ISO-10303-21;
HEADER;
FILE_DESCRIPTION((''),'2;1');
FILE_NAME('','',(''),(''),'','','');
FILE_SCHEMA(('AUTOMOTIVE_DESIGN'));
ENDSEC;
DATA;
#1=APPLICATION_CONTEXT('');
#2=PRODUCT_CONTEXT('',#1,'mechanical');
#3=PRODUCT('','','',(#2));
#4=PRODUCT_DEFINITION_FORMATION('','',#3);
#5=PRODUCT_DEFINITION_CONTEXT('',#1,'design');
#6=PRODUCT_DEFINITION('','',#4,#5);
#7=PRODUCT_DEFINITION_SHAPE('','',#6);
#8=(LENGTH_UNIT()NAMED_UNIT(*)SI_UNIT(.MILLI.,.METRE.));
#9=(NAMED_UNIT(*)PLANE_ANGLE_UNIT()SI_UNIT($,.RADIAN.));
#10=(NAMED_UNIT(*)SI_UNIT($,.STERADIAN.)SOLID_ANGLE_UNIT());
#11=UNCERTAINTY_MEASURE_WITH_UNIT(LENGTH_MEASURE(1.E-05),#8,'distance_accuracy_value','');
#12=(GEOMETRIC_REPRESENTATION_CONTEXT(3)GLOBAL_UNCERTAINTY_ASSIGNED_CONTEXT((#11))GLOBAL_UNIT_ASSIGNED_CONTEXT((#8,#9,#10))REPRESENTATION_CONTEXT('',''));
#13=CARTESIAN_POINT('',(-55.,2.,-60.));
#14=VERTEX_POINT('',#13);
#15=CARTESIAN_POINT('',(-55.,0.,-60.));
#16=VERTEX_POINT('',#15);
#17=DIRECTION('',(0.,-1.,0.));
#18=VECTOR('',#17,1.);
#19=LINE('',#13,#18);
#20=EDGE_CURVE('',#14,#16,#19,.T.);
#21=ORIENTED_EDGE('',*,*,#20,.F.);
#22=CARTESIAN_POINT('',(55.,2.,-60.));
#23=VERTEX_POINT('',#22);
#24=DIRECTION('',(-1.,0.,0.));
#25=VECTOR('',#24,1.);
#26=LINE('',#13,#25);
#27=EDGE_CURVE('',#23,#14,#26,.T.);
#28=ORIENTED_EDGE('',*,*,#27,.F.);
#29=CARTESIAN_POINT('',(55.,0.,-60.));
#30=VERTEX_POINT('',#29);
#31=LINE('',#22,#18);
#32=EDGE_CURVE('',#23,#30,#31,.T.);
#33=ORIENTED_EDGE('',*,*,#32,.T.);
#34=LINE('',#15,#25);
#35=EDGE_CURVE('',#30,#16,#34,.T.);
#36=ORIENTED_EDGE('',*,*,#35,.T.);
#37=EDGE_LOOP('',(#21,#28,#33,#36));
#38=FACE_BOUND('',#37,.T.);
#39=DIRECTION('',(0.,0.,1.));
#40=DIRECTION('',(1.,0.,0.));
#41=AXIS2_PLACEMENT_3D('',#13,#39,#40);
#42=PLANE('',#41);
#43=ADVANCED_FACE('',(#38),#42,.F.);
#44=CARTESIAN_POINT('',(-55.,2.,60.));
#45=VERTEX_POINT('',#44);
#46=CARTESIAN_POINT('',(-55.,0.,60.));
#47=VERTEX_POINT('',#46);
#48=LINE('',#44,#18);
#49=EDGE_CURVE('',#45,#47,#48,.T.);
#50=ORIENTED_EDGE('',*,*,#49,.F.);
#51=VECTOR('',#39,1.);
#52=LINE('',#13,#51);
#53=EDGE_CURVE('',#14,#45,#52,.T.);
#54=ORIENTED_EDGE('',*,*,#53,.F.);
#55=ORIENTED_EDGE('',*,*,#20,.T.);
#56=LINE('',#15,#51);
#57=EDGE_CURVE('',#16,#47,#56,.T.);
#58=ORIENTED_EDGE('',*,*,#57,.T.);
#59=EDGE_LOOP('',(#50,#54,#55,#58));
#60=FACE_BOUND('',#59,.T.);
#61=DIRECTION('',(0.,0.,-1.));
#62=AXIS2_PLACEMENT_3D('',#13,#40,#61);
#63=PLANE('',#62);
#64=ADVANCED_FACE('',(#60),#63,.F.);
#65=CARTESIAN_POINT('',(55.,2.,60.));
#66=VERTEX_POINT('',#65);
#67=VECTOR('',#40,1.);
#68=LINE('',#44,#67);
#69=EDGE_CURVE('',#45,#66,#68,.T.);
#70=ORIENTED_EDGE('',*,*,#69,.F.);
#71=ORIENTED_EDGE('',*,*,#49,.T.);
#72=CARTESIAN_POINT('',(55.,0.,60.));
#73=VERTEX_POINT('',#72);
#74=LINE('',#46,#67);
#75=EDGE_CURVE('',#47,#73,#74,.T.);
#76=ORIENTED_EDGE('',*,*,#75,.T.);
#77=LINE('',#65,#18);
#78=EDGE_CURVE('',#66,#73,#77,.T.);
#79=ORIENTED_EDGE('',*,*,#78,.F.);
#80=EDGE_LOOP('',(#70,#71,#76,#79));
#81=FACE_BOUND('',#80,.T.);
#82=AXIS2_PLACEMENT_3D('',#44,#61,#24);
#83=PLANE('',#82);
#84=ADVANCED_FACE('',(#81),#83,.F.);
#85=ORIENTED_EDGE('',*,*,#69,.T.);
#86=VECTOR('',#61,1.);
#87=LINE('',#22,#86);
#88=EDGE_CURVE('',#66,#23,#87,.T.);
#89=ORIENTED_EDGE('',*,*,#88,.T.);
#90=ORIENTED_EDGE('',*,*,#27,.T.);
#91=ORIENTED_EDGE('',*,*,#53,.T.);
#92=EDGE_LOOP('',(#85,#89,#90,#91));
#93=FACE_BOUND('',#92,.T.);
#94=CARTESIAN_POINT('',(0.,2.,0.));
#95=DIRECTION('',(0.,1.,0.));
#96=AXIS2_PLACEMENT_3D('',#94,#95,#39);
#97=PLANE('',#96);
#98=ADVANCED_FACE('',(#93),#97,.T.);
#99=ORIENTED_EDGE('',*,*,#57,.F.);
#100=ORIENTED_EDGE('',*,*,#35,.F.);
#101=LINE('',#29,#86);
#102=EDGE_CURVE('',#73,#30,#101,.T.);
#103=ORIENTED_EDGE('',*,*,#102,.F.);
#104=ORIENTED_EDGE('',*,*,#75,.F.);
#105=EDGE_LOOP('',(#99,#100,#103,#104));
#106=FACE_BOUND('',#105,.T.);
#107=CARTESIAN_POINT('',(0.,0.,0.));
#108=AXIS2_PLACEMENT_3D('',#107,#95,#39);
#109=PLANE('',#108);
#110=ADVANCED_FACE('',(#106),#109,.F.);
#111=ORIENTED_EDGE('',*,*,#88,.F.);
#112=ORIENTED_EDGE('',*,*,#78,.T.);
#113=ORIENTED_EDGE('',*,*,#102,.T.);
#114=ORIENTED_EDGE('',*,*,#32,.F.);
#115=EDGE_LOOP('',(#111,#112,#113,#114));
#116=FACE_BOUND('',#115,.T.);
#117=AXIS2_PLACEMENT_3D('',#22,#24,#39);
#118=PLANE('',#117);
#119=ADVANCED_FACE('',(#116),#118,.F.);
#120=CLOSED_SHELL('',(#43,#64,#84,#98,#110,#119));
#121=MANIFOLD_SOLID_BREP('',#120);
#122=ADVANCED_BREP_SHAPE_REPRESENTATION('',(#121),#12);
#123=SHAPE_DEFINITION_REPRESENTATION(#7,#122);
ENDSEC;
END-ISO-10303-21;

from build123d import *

# Parameters (mm, degrees)
SKETCH_1_W      = 110
SKETCH_1_H      = 120
EXTRUDE_1_DEPTH = 2


with BuildPart() as part:
    # 草图1 → 凸台-拉伸1 (new body)
    with BuildSketch(Plane(origin=(0, 0, 0), x_dir=(1, 0, 0), z_dir=(0, 1, 0))):
        Rectangle(SKETCH_1_W, SKETCH_1_H)
    extrude(amount=EXTRUDE_1_DEPTH)


solid = part.part
